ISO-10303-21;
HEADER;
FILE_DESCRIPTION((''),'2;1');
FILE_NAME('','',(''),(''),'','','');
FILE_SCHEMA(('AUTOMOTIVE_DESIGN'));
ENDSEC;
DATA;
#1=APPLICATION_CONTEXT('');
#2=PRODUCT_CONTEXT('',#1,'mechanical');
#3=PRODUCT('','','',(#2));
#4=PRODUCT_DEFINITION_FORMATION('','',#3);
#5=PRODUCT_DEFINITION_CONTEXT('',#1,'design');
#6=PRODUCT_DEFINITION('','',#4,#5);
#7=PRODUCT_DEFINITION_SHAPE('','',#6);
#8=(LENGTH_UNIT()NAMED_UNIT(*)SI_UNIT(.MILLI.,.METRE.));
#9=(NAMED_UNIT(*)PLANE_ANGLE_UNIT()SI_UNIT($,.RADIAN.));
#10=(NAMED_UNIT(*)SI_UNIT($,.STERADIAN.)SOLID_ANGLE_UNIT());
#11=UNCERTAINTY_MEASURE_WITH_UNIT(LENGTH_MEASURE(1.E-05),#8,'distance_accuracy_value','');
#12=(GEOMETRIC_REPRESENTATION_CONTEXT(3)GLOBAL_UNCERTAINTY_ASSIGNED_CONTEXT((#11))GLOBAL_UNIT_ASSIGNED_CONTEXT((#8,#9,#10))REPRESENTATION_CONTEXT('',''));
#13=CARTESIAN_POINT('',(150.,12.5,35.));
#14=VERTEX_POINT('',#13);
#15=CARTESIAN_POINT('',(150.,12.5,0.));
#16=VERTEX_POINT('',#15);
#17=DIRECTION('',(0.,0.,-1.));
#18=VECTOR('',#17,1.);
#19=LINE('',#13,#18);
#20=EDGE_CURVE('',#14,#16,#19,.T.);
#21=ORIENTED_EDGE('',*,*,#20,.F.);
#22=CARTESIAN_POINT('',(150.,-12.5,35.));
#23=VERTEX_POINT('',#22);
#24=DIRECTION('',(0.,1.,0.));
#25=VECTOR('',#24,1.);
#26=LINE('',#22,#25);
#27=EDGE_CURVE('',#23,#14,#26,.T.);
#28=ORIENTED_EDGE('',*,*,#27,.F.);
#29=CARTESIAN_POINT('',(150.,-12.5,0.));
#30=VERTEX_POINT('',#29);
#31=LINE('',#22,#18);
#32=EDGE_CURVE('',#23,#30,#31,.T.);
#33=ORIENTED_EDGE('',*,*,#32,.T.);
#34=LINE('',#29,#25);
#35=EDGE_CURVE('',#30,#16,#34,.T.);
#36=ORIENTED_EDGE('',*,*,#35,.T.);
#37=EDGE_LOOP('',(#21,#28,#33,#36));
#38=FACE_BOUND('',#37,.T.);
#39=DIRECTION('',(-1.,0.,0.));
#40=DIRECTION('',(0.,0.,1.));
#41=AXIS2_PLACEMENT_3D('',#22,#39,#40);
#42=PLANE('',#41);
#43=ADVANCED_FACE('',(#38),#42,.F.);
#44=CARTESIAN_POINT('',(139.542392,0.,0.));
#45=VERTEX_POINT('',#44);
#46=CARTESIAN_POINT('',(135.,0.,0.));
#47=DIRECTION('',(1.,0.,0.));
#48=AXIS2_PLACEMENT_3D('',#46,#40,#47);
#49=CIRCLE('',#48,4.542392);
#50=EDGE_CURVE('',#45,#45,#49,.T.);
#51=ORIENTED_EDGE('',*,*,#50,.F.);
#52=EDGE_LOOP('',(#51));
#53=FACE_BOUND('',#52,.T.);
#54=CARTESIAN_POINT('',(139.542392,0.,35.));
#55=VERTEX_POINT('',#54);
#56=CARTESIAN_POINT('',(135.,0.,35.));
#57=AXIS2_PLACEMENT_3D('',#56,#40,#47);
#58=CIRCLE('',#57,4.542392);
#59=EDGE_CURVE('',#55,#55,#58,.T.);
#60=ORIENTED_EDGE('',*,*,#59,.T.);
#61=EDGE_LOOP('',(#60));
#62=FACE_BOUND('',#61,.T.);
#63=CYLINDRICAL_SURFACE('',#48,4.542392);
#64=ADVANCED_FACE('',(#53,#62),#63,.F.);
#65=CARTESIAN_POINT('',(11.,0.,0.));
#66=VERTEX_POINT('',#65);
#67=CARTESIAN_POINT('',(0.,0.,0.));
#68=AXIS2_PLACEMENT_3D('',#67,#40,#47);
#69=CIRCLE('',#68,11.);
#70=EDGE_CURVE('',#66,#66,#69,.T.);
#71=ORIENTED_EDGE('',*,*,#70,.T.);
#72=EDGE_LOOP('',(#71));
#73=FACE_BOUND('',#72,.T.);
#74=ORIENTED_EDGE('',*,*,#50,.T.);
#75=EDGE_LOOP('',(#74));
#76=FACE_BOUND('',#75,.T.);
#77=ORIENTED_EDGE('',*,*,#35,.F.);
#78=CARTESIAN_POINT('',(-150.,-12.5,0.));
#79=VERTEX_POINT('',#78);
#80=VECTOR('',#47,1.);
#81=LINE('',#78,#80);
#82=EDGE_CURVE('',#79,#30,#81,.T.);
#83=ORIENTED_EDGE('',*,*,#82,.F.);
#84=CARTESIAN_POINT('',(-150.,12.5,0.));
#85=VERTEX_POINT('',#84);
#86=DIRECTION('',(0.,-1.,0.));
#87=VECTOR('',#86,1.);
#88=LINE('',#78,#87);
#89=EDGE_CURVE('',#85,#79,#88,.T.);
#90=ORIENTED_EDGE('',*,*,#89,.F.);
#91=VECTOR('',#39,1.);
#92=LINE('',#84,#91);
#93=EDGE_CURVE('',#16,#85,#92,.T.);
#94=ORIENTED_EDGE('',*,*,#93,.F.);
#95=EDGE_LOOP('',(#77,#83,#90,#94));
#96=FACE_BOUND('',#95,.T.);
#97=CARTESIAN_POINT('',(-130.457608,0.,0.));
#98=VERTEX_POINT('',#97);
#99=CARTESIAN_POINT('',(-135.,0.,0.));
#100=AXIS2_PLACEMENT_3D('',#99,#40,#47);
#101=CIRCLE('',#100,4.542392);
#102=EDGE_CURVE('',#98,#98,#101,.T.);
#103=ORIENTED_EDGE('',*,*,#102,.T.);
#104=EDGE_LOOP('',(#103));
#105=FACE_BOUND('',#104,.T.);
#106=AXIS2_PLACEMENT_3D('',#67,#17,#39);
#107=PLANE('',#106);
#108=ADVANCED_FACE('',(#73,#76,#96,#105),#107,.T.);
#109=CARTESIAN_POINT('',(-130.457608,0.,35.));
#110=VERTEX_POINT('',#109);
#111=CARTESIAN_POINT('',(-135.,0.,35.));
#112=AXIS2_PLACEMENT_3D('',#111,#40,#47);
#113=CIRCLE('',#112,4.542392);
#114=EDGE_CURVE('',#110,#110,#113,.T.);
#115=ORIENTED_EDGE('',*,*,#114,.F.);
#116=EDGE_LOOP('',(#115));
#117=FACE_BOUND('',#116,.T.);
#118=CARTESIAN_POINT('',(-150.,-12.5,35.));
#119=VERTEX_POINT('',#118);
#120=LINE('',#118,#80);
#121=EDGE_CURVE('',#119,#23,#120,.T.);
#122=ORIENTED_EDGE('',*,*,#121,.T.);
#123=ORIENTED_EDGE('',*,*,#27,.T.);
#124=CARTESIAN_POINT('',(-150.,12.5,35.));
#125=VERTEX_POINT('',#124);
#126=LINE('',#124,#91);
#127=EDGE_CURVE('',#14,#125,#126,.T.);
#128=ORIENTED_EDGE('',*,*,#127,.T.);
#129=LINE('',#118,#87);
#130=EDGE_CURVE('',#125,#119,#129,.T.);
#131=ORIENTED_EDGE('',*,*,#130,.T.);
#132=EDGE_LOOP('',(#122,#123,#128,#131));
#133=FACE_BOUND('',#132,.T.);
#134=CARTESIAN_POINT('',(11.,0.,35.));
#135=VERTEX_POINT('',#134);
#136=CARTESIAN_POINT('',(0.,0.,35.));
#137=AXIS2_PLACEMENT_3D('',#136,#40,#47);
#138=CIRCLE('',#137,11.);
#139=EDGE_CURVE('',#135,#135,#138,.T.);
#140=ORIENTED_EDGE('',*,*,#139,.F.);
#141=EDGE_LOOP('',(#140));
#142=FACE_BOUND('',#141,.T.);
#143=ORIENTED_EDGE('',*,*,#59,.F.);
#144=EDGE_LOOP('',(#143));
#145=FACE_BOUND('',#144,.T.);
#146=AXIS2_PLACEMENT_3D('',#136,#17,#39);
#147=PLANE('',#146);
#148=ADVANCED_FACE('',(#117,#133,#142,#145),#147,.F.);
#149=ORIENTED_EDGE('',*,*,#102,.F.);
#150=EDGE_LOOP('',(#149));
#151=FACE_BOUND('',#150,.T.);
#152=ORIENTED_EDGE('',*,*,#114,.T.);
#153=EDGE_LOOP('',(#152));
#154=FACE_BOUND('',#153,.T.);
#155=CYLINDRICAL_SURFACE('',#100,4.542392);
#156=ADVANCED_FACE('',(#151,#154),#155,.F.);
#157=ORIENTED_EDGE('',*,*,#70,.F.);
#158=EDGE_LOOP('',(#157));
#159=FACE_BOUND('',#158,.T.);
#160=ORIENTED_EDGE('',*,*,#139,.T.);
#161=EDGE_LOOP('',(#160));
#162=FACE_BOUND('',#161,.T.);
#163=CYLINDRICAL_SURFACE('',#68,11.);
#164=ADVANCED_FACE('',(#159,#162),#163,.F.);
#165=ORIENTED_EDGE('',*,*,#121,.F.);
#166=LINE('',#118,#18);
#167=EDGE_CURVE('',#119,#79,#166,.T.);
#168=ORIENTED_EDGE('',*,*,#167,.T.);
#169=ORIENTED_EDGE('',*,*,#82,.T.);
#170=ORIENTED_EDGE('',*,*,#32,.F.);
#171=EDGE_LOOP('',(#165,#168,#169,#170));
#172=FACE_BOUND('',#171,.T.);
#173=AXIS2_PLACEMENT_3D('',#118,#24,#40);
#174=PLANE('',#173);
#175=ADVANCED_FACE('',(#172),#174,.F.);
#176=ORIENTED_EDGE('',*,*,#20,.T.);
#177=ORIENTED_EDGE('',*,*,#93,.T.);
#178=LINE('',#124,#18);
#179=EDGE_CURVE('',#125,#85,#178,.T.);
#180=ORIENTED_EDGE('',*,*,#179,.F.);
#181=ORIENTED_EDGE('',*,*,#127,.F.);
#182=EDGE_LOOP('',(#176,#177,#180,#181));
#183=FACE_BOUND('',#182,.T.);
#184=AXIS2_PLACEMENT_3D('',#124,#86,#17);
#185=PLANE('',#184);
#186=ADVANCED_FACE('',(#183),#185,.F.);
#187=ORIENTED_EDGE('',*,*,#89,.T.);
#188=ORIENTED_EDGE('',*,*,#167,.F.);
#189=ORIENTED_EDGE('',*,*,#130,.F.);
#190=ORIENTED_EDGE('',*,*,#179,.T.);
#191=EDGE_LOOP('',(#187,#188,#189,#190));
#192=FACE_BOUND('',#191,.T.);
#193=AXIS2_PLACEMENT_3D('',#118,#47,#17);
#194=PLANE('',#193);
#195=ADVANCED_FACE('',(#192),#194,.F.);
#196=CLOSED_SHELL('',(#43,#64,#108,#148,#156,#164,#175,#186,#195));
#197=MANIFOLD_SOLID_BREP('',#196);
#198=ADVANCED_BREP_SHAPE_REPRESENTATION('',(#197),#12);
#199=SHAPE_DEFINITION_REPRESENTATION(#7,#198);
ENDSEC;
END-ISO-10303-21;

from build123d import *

# Parameters (mm, degrees)
SKETCH1_W           = 300
SKETCH1_H           = 25
BOSS_EXTRUDE1_DEPTH = 35
SKETCH2_R           = 4.542391588
SKETCH2_R_2         = 11
CUT_EXTRUDE1_DEPTH  = 36


with BuildPart() as part:
    # Sketch1 → Boss-Extrude1 (new body)
    with BuildSketch(Plane.XY):
        Rectangle(SKETCH1_W, SKETCH1_H)
    extrude(amount=BOSS_EXTRUDE1_DEPTH)

    # Sketch2 → Cut-Extrude1 (cut, through all)
    with BuildSketch(Plane.XY.offset(35)):
        with Locations((-135, 0)):
            Circle(SKETCH2_R)
        Circle(SKETCH2_R_2)
        with Locations((135, 0)):
            Circle(SKETCH2_R)
    extrude(amount=-CUT_EXTRUDE1_DEPTH, mode=Mode.SUBTRACT)


solid = part.part
